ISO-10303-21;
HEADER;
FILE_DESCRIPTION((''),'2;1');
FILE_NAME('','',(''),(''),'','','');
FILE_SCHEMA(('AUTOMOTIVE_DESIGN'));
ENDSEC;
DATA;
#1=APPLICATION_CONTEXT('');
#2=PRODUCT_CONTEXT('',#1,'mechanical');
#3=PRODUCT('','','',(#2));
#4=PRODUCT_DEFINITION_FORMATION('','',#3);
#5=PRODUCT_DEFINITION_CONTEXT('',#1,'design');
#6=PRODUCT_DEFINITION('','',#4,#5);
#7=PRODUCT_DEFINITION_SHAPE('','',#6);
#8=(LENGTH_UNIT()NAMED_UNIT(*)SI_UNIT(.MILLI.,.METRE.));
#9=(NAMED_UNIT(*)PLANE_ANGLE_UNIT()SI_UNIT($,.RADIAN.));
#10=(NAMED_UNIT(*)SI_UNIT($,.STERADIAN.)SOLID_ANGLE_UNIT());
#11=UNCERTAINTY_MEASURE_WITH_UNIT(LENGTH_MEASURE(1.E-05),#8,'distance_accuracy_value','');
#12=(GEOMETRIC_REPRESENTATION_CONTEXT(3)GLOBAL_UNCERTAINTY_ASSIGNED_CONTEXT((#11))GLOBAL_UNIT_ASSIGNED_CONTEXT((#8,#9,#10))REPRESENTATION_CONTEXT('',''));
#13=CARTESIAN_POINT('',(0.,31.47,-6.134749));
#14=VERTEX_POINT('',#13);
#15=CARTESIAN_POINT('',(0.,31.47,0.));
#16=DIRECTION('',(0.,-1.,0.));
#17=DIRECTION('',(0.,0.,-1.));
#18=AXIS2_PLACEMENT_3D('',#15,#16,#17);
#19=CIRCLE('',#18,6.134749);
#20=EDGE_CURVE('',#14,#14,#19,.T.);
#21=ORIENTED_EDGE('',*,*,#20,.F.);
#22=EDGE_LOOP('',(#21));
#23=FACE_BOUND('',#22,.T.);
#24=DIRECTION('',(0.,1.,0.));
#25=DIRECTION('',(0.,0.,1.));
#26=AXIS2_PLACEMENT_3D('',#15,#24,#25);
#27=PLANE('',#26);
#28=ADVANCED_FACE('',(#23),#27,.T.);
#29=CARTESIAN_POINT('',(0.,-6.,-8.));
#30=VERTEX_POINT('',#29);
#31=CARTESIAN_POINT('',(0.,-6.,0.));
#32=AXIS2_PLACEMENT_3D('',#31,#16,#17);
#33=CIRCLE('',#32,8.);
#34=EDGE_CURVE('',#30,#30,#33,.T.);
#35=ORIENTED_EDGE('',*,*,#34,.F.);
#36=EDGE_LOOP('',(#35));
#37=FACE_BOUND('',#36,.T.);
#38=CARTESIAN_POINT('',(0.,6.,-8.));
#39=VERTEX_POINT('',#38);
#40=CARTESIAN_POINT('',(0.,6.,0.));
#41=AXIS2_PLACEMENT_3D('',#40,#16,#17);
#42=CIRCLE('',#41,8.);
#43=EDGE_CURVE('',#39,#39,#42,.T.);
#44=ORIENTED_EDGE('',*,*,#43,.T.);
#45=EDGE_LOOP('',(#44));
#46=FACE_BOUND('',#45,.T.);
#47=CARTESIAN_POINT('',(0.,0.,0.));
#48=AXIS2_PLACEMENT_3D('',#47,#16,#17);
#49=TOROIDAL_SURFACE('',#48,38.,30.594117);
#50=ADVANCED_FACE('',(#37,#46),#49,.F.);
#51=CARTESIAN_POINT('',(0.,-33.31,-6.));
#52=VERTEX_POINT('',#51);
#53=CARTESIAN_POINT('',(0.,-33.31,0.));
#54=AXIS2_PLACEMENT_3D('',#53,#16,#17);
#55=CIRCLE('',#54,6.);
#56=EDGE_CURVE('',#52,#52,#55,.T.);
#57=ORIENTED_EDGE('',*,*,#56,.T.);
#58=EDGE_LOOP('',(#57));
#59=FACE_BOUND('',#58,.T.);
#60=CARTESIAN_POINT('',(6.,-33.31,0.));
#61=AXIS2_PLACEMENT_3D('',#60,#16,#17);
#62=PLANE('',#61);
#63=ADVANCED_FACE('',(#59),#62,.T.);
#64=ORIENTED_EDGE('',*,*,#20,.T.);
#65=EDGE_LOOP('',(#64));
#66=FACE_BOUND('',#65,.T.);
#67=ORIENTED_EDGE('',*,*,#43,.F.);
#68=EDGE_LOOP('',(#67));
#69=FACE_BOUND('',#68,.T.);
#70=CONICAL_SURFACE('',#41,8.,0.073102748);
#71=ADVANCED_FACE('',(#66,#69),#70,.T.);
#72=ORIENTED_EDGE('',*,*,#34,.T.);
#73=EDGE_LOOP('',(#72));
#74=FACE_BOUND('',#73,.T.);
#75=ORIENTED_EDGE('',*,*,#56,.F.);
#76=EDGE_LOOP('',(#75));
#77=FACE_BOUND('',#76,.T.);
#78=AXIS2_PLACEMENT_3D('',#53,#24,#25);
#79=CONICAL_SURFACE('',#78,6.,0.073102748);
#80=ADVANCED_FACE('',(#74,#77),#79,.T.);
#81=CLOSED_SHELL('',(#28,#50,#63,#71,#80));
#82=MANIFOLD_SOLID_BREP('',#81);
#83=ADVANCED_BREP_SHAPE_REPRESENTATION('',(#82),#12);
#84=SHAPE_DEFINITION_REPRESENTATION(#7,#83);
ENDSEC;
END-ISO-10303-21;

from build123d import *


with BuildPart() as part:
    # Sketch1 → Revolve1 (revolve)
    with BuildSketch(Plane.XY, mode=Mode.PRIVATE) as revolve1_sk:
        with BuildLine():
            Line((0, 31.47), (6.134749176, 31.47))
            Line((6.134749176, 31.47), (8, 6))
            ThreePointArc((8, 6), (7.405882918, 0), (8, -6))
            Line((8, -6), (6, -33.31))
            Line((6, -33.31), (0, -33.31))
            Line((0, -33.31), (0, 31.47))
        make_face()
    revolve(revolve1_sk.sketch.rotate(Axis((0, -44.013751718, 0), (0, 1, 0)), 90), axis=Axis((0, -44.013751718, 0), (0, 1, 0)))


solid = part.part
